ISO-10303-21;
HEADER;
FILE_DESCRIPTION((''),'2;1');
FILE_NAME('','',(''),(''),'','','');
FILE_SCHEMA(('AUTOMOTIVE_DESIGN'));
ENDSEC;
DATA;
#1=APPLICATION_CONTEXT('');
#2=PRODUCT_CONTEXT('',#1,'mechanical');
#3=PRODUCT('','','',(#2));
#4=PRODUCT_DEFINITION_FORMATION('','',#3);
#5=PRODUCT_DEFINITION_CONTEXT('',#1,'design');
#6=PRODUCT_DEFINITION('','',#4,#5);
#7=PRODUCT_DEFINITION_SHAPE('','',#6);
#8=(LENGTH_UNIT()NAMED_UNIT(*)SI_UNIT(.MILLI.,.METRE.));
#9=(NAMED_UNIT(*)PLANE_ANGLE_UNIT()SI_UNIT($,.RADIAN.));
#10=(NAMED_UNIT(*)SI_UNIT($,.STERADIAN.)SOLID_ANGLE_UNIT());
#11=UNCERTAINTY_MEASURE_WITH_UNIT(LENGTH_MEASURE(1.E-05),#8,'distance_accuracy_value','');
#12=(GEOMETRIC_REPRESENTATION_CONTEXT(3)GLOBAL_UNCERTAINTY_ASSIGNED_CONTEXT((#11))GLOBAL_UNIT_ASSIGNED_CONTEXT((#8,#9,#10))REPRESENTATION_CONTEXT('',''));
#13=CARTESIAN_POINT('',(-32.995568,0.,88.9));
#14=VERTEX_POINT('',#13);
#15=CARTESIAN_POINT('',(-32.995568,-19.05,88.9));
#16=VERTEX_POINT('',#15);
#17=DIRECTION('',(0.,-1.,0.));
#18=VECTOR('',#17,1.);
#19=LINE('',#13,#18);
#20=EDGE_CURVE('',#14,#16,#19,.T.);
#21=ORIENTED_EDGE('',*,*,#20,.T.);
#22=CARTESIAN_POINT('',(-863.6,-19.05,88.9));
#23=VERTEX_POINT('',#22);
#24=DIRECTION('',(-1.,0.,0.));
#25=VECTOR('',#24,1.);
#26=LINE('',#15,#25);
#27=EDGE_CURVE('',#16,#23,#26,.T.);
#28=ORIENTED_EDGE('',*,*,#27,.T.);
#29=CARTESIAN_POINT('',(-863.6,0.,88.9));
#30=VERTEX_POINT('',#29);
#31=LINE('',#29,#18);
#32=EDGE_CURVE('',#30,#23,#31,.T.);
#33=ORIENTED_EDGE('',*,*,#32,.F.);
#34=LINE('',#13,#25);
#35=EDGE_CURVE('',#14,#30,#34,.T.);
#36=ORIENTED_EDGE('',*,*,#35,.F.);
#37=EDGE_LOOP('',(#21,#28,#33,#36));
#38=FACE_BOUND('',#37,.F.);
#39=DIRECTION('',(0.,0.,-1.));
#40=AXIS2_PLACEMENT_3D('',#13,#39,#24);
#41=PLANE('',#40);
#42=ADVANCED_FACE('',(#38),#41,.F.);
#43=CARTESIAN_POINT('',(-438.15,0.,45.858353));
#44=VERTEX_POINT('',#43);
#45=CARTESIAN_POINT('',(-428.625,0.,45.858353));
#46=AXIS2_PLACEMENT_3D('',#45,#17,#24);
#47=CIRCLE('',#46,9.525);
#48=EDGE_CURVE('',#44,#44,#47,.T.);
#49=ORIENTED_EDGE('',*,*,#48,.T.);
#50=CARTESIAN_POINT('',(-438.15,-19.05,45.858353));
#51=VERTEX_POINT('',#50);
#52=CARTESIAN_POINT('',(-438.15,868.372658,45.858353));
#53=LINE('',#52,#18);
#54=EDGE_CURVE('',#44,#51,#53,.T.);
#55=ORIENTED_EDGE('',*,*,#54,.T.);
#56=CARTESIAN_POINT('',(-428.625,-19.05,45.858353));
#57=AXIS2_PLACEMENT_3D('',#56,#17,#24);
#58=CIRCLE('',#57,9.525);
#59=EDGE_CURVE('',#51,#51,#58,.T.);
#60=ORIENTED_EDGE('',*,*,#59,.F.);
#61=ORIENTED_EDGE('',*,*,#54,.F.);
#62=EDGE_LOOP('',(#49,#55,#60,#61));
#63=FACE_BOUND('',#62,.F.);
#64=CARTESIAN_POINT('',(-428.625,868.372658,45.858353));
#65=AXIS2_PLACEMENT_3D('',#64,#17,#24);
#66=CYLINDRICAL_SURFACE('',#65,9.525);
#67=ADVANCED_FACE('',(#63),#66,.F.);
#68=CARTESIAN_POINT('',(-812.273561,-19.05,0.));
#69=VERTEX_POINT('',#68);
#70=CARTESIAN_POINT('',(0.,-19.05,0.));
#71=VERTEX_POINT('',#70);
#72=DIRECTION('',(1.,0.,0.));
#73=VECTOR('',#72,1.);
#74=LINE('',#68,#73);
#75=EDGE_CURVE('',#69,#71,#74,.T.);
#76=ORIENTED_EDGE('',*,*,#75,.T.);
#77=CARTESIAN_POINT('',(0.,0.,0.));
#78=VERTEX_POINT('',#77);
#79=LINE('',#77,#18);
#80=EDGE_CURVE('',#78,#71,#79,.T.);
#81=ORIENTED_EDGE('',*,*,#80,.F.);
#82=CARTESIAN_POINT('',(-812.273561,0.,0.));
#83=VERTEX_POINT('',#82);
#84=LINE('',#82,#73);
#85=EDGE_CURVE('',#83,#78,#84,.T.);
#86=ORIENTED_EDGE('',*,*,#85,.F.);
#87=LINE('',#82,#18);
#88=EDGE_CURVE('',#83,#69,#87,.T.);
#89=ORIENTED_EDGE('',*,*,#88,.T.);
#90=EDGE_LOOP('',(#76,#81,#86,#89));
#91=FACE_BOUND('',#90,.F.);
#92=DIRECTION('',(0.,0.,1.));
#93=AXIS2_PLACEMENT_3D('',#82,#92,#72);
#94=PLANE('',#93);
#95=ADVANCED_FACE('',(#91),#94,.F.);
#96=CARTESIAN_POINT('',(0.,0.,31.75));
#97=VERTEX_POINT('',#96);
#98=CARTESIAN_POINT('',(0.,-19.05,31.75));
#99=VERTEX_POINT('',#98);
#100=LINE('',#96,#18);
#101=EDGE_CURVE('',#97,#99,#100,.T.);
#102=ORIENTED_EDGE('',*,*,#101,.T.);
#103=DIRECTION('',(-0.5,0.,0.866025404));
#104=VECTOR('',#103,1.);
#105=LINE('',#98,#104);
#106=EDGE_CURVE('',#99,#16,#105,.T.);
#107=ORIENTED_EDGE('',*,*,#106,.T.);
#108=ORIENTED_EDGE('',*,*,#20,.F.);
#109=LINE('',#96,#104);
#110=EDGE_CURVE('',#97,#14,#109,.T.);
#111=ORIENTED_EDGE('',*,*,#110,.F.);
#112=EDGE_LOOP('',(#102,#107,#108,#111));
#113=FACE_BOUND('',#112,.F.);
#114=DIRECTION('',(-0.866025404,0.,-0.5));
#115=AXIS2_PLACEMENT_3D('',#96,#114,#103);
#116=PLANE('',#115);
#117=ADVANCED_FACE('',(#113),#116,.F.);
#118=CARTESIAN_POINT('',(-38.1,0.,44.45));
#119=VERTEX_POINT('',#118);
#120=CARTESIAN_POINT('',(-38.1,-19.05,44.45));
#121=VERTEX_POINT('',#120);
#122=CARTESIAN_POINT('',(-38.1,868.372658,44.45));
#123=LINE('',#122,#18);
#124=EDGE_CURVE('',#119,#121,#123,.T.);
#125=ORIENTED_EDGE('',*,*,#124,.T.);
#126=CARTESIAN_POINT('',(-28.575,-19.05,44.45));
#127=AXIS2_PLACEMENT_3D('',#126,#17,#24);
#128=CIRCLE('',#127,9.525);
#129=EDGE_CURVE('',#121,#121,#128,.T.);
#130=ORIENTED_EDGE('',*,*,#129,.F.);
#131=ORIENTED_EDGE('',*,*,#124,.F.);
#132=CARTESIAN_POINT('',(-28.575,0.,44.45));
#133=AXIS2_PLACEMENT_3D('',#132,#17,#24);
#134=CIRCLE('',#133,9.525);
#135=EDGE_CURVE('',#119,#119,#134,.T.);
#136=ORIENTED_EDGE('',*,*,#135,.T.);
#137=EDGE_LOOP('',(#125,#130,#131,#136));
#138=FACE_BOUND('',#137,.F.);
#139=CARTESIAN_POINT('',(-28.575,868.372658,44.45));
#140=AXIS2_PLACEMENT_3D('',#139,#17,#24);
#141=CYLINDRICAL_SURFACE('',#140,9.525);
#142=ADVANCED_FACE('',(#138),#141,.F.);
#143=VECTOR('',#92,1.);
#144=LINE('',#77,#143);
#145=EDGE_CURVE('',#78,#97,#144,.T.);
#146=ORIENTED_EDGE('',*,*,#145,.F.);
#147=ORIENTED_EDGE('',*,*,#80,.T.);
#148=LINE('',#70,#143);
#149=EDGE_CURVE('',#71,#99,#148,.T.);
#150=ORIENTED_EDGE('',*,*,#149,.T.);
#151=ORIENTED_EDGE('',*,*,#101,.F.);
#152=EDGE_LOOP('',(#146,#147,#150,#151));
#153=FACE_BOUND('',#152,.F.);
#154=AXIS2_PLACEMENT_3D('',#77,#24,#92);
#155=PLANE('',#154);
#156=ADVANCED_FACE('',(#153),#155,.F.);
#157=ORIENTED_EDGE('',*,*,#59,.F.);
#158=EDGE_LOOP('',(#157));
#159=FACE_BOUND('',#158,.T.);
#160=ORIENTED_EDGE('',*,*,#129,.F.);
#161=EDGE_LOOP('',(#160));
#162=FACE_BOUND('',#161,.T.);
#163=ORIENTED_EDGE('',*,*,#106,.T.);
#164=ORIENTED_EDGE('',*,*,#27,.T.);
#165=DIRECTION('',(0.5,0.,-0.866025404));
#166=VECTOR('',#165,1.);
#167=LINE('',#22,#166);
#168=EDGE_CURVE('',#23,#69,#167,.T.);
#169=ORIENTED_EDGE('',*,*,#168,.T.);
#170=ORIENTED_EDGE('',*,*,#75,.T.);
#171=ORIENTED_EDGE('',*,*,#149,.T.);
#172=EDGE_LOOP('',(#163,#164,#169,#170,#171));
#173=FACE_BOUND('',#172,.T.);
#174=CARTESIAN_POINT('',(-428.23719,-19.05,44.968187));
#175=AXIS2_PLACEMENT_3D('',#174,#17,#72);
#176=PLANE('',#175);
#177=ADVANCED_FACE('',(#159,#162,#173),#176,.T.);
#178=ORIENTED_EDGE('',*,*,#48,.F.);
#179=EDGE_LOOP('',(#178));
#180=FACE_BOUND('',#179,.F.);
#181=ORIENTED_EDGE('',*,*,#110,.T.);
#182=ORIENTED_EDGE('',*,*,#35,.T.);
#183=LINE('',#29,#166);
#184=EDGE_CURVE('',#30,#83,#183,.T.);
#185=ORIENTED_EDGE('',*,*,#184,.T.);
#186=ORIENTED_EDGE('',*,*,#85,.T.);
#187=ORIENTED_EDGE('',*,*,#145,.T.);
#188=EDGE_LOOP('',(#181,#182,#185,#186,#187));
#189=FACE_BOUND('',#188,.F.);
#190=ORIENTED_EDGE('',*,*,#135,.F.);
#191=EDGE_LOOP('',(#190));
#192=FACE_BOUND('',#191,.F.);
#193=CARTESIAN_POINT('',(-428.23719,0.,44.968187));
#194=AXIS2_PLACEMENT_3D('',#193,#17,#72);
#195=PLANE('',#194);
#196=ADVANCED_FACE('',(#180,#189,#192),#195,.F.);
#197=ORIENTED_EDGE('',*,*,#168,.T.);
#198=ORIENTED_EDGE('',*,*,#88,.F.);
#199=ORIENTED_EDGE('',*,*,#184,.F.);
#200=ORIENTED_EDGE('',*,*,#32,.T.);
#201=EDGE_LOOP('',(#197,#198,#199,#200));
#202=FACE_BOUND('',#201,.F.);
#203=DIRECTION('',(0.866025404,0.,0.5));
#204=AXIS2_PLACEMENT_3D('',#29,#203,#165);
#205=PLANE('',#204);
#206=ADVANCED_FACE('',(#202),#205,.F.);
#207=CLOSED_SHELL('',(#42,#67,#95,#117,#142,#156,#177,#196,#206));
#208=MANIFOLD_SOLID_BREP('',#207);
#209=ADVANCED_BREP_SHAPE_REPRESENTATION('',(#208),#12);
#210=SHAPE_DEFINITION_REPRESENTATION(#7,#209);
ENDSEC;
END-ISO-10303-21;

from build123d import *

# Parameters (mm, degrees)
F1_DEPTH = 19.05
F3_D     = 19.05
F5_D     = 19.05


with BuildPart() as f1:
    # F0 (on Front) → F1 (new body)
    with BuildSketch(Plane.XZ):
        Polygon((-812.273561069, 0), (0, 0), (0, 31.75), (-32.9955678842, 88.9), (-863.6, 88.9), align=None)
    extrude(amount=F1_DEPTH)

    # F3 (through all)
    with Locations(Plane(origin=(0, 0, 0), x_dir=(1, 0, 0), z_dir=(0, 1, 0))):
        with Locations((-28.575, -44.45)):
            Hole(F3_D / 2)

    # F5 (through all)
    with Locations(Plane(origin=(0, 0, 0), x_dir=(1, 0, 0), z_dir=(0, 1, 0))):
        with Locations((-428.625, -45.8583533764)):
            Hole(F5_D / 2)


solid = f1.part
